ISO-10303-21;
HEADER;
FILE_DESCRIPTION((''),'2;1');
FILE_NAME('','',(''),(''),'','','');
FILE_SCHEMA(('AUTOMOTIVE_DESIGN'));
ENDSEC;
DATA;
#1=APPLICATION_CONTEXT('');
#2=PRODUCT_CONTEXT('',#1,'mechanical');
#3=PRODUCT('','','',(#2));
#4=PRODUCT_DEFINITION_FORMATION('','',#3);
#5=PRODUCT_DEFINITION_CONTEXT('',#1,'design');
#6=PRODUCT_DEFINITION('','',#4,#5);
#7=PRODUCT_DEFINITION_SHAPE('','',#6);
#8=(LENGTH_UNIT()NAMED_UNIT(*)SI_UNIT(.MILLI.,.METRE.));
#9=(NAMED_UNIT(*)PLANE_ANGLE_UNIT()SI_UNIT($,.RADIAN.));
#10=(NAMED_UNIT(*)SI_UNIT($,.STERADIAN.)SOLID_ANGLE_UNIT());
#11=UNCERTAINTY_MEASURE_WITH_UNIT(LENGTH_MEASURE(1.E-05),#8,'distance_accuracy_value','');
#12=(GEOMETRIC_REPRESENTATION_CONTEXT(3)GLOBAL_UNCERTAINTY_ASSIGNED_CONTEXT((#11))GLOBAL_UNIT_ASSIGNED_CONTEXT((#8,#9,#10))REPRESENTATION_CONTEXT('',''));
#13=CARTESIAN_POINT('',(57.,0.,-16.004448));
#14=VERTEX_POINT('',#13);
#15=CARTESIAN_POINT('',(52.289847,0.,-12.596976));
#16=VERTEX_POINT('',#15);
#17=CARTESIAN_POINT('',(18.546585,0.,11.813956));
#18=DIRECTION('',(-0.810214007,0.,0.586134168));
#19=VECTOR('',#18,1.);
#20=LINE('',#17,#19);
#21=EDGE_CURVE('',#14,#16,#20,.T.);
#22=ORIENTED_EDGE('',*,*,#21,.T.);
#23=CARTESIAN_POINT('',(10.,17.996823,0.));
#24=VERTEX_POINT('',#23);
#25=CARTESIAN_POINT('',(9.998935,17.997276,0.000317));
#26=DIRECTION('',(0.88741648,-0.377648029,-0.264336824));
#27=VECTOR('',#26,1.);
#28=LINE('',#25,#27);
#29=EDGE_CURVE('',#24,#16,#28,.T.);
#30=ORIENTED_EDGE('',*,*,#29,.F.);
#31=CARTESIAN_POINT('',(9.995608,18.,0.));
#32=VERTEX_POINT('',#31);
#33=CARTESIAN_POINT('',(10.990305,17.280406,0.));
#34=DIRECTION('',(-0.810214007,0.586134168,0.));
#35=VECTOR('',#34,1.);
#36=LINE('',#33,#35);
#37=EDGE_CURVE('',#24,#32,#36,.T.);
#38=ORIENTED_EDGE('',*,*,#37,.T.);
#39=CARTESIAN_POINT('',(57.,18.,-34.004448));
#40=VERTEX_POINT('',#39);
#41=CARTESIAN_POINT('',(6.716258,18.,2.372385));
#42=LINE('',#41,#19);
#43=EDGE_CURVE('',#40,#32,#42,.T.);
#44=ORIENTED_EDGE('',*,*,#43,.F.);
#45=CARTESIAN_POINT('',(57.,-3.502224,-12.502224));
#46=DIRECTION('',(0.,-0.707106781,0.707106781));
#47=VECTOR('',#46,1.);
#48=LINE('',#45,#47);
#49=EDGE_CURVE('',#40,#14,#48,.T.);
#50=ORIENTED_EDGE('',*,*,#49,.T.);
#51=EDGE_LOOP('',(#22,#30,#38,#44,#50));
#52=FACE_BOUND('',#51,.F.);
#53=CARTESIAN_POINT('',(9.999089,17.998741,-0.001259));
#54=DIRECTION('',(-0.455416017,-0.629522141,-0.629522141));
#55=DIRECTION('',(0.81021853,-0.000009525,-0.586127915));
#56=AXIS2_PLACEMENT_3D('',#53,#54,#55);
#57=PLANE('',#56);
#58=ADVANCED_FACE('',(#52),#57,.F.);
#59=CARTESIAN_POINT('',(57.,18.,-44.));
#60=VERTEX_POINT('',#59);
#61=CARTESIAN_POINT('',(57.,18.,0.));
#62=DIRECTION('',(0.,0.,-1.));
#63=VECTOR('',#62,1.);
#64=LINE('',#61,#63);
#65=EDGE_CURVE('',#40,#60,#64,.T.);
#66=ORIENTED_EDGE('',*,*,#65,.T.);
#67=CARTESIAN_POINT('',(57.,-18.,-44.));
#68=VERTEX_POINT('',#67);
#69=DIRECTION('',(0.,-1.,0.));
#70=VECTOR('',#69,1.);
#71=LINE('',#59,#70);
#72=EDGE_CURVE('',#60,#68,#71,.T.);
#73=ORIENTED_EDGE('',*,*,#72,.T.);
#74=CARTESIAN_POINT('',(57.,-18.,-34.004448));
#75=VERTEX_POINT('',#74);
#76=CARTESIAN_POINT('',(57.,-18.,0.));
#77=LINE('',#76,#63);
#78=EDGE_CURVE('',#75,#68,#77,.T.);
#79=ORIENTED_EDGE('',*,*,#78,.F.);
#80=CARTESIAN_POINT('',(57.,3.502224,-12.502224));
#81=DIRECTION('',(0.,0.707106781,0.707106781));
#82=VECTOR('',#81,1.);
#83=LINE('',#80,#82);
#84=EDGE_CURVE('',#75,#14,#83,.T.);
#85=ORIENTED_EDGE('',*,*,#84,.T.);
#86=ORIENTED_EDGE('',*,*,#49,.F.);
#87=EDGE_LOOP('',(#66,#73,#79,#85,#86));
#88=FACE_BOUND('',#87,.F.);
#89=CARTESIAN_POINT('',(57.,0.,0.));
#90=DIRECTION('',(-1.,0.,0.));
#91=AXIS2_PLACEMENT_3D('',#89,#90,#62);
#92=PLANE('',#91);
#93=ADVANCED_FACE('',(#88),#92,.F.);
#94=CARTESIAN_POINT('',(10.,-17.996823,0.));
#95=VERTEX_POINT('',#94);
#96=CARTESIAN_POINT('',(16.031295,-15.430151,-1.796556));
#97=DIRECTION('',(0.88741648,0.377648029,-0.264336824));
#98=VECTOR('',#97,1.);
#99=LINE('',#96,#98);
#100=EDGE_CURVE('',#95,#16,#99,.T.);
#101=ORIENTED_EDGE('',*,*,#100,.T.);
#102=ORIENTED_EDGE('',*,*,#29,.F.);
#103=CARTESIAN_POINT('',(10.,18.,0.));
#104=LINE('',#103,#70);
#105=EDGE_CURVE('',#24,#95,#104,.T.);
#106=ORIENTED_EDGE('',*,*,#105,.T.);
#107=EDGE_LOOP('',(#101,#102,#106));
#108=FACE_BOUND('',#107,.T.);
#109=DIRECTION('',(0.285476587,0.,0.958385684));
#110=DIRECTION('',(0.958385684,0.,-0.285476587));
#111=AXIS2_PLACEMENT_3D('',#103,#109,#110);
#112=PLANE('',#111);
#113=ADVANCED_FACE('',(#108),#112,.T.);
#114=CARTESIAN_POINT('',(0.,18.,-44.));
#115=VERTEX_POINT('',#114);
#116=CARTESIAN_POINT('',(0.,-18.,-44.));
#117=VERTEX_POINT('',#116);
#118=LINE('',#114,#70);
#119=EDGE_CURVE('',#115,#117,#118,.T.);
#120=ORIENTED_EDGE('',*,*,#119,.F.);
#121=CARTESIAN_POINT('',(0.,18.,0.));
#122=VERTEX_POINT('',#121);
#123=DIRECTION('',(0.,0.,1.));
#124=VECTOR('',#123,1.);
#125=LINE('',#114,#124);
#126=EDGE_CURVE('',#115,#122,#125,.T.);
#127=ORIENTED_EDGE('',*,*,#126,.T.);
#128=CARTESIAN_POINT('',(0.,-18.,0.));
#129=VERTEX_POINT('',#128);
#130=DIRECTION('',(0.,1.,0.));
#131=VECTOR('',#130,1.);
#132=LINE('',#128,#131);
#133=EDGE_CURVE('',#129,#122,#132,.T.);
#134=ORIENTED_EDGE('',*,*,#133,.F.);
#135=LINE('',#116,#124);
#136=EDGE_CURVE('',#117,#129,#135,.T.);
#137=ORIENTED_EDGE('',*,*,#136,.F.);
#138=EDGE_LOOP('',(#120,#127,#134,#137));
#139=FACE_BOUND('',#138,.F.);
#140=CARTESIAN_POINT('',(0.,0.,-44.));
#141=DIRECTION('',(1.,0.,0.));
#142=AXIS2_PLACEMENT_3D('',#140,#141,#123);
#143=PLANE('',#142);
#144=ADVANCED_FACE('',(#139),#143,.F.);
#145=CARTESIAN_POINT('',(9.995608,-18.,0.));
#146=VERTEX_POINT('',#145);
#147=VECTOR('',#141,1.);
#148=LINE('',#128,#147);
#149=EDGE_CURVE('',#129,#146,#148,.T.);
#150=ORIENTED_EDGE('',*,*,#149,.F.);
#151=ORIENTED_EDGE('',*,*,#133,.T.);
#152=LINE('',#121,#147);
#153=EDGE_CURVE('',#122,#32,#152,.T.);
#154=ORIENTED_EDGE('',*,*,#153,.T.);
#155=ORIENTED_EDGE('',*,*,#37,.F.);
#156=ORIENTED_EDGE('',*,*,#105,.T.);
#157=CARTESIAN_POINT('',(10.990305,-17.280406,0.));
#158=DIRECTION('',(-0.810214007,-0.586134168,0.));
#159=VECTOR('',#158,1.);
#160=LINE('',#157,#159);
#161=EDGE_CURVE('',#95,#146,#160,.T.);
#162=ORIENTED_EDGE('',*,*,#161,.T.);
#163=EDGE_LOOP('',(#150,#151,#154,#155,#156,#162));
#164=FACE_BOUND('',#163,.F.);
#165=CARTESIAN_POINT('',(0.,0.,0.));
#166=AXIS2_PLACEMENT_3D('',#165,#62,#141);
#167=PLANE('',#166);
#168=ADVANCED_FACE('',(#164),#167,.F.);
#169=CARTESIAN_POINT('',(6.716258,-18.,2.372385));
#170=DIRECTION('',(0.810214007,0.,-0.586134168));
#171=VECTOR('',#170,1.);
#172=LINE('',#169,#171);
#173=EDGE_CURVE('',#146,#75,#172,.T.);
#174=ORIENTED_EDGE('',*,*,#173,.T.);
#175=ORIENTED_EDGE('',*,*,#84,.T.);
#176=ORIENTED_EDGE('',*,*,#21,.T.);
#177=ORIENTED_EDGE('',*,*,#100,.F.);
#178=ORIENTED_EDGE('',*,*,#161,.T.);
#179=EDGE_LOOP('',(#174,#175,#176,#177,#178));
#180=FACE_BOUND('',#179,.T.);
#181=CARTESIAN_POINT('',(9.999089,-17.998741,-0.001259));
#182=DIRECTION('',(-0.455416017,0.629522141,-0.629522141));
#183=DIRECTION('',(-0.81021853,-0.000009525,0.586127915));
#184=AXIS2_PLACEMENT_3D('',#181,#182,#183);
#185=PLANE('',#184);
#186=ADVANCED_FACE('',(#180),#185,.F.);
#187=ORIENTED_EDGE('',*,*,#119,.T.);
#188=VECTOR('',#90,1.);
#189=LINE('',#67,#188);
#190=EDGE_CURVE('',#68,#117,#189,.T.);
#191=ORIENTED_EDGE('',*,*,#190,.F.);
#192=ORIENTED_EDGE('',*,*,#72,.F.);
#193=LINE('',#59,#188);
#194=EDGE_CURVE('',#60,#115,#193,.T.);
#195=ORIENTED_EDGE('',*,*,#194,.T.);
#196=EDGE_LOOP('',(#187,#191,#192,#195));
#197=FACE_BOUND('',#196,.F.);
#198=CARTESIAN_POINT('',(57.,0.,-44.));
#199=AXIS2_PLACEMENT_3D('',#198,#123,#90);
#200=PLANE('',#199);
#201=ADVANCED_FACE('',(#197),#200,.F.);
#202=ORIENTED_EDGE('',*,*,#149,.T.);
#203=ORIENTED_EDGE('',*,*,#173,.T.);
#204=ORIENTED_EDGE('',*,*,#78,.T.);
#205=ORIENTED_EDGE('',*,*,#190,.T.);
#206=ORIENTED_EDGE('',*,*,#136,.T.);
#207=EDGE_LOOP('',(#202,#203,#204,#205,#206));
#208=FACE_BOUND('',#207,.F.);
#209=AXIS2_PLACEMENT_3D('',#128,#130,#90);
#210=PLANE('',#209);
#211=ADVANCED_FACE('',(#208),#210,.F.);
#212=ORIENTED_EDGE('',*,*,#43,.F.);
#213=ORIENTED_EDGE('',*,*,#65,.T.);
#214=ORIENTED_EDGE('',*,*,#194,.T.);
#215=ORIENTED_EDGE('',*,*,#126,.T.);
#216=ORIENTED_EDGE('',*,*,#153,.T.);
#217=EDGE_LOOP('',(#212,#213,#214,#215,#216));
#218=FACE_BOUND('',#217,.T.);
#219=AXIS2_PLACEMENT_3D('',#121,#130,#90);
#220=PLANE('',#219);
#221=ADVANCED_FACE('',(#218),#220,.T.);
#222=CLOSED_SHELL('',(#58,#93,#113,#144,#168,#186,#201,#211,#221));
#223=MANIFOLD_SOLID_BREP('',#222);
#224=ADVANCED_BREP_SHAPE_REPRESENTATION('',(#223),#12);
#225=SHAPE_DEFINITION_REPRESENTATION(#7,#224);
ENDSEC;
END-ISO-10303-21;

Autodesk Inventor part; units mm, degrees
ref_plane "YZ Plane" through (0, 0, 0) normal (1, 0, 0) x (0, 1, 0)
ref_plane "XZ Plane" through (0, 0, 0) normal (0, 1, 0) x (-1, 0, 0)
sketch "草圖1" plane through (0, 0, 0) normal (0, 1, 0) x (-1, 0, 0)
  line L0 (0, 0) -> (-57, 0)
  line L1 (-57, 0) -> (-57, -44)
  line L2 (-57, -44) -> (0, -44)
  line L3 (0, -44) -> (0, 0)
  dimension "d0" = 57
  dimension "d1" = 44
extrude "擠出1" add sketch "草圖1" along normal mid plane 36
sketch "草圖2" plane through (0, 18, 0) normal (0, 1, 0) x (1, 0, 0)
  line L0 (0, 0) -> (57, 0) projected
  line L1 (10, 0) -> (57, 14)
  line L2 (57, 0) -> (57, 44) projected
  dimension "d4" = 10
  dimension "d5" = 30
extrude "擠出2" cut sketch "草圖2" against normal blind 40
sketch "草圖3" plane through (57, -18, -44) normal (1, 0, 0) x (0, 0, -1)
  line L0 (-30, 16) -> (-10, 36)
  line L1 (0, 36) -> (-44, 36) projected
  line L2 (-30, 36) -> (-30, 0) projected
  point P0 (-44, 18)
  dimension "d8" = 20
  dimension "d9" = 20
ref_plane "工作平面1" through (10, 18, 0) normal (-0.4554, -0.6295, -0.6295) x (0.8102, 0, -0.5861)
sketch "草圖4" plane through (10, 18, 0) normal (-0.4554, -0.6295, -0.6295) x (0.8102, 0, -0.5861)
  line L0 (-15.1543, -12.3218) -> (93.717, -12.3218)
  line L1 (93.717, -12.3218) -> (93.717, 28.8166)
  line L2 (93.717, 28.8166) -> (-15.1543, 28.8166)
  line L3 (-15.1543, 28.8166) -> (-15.1543, -12.3218)
  point P0 (-8.1022, 10.2958)
extrude "擠出3" cut sketch "草圖4" against normal blind 40
mirror "鏡射1" about plane through (0, 0, 0) normal (0, 1, 0) of "擠出3"
properties part number "22"
